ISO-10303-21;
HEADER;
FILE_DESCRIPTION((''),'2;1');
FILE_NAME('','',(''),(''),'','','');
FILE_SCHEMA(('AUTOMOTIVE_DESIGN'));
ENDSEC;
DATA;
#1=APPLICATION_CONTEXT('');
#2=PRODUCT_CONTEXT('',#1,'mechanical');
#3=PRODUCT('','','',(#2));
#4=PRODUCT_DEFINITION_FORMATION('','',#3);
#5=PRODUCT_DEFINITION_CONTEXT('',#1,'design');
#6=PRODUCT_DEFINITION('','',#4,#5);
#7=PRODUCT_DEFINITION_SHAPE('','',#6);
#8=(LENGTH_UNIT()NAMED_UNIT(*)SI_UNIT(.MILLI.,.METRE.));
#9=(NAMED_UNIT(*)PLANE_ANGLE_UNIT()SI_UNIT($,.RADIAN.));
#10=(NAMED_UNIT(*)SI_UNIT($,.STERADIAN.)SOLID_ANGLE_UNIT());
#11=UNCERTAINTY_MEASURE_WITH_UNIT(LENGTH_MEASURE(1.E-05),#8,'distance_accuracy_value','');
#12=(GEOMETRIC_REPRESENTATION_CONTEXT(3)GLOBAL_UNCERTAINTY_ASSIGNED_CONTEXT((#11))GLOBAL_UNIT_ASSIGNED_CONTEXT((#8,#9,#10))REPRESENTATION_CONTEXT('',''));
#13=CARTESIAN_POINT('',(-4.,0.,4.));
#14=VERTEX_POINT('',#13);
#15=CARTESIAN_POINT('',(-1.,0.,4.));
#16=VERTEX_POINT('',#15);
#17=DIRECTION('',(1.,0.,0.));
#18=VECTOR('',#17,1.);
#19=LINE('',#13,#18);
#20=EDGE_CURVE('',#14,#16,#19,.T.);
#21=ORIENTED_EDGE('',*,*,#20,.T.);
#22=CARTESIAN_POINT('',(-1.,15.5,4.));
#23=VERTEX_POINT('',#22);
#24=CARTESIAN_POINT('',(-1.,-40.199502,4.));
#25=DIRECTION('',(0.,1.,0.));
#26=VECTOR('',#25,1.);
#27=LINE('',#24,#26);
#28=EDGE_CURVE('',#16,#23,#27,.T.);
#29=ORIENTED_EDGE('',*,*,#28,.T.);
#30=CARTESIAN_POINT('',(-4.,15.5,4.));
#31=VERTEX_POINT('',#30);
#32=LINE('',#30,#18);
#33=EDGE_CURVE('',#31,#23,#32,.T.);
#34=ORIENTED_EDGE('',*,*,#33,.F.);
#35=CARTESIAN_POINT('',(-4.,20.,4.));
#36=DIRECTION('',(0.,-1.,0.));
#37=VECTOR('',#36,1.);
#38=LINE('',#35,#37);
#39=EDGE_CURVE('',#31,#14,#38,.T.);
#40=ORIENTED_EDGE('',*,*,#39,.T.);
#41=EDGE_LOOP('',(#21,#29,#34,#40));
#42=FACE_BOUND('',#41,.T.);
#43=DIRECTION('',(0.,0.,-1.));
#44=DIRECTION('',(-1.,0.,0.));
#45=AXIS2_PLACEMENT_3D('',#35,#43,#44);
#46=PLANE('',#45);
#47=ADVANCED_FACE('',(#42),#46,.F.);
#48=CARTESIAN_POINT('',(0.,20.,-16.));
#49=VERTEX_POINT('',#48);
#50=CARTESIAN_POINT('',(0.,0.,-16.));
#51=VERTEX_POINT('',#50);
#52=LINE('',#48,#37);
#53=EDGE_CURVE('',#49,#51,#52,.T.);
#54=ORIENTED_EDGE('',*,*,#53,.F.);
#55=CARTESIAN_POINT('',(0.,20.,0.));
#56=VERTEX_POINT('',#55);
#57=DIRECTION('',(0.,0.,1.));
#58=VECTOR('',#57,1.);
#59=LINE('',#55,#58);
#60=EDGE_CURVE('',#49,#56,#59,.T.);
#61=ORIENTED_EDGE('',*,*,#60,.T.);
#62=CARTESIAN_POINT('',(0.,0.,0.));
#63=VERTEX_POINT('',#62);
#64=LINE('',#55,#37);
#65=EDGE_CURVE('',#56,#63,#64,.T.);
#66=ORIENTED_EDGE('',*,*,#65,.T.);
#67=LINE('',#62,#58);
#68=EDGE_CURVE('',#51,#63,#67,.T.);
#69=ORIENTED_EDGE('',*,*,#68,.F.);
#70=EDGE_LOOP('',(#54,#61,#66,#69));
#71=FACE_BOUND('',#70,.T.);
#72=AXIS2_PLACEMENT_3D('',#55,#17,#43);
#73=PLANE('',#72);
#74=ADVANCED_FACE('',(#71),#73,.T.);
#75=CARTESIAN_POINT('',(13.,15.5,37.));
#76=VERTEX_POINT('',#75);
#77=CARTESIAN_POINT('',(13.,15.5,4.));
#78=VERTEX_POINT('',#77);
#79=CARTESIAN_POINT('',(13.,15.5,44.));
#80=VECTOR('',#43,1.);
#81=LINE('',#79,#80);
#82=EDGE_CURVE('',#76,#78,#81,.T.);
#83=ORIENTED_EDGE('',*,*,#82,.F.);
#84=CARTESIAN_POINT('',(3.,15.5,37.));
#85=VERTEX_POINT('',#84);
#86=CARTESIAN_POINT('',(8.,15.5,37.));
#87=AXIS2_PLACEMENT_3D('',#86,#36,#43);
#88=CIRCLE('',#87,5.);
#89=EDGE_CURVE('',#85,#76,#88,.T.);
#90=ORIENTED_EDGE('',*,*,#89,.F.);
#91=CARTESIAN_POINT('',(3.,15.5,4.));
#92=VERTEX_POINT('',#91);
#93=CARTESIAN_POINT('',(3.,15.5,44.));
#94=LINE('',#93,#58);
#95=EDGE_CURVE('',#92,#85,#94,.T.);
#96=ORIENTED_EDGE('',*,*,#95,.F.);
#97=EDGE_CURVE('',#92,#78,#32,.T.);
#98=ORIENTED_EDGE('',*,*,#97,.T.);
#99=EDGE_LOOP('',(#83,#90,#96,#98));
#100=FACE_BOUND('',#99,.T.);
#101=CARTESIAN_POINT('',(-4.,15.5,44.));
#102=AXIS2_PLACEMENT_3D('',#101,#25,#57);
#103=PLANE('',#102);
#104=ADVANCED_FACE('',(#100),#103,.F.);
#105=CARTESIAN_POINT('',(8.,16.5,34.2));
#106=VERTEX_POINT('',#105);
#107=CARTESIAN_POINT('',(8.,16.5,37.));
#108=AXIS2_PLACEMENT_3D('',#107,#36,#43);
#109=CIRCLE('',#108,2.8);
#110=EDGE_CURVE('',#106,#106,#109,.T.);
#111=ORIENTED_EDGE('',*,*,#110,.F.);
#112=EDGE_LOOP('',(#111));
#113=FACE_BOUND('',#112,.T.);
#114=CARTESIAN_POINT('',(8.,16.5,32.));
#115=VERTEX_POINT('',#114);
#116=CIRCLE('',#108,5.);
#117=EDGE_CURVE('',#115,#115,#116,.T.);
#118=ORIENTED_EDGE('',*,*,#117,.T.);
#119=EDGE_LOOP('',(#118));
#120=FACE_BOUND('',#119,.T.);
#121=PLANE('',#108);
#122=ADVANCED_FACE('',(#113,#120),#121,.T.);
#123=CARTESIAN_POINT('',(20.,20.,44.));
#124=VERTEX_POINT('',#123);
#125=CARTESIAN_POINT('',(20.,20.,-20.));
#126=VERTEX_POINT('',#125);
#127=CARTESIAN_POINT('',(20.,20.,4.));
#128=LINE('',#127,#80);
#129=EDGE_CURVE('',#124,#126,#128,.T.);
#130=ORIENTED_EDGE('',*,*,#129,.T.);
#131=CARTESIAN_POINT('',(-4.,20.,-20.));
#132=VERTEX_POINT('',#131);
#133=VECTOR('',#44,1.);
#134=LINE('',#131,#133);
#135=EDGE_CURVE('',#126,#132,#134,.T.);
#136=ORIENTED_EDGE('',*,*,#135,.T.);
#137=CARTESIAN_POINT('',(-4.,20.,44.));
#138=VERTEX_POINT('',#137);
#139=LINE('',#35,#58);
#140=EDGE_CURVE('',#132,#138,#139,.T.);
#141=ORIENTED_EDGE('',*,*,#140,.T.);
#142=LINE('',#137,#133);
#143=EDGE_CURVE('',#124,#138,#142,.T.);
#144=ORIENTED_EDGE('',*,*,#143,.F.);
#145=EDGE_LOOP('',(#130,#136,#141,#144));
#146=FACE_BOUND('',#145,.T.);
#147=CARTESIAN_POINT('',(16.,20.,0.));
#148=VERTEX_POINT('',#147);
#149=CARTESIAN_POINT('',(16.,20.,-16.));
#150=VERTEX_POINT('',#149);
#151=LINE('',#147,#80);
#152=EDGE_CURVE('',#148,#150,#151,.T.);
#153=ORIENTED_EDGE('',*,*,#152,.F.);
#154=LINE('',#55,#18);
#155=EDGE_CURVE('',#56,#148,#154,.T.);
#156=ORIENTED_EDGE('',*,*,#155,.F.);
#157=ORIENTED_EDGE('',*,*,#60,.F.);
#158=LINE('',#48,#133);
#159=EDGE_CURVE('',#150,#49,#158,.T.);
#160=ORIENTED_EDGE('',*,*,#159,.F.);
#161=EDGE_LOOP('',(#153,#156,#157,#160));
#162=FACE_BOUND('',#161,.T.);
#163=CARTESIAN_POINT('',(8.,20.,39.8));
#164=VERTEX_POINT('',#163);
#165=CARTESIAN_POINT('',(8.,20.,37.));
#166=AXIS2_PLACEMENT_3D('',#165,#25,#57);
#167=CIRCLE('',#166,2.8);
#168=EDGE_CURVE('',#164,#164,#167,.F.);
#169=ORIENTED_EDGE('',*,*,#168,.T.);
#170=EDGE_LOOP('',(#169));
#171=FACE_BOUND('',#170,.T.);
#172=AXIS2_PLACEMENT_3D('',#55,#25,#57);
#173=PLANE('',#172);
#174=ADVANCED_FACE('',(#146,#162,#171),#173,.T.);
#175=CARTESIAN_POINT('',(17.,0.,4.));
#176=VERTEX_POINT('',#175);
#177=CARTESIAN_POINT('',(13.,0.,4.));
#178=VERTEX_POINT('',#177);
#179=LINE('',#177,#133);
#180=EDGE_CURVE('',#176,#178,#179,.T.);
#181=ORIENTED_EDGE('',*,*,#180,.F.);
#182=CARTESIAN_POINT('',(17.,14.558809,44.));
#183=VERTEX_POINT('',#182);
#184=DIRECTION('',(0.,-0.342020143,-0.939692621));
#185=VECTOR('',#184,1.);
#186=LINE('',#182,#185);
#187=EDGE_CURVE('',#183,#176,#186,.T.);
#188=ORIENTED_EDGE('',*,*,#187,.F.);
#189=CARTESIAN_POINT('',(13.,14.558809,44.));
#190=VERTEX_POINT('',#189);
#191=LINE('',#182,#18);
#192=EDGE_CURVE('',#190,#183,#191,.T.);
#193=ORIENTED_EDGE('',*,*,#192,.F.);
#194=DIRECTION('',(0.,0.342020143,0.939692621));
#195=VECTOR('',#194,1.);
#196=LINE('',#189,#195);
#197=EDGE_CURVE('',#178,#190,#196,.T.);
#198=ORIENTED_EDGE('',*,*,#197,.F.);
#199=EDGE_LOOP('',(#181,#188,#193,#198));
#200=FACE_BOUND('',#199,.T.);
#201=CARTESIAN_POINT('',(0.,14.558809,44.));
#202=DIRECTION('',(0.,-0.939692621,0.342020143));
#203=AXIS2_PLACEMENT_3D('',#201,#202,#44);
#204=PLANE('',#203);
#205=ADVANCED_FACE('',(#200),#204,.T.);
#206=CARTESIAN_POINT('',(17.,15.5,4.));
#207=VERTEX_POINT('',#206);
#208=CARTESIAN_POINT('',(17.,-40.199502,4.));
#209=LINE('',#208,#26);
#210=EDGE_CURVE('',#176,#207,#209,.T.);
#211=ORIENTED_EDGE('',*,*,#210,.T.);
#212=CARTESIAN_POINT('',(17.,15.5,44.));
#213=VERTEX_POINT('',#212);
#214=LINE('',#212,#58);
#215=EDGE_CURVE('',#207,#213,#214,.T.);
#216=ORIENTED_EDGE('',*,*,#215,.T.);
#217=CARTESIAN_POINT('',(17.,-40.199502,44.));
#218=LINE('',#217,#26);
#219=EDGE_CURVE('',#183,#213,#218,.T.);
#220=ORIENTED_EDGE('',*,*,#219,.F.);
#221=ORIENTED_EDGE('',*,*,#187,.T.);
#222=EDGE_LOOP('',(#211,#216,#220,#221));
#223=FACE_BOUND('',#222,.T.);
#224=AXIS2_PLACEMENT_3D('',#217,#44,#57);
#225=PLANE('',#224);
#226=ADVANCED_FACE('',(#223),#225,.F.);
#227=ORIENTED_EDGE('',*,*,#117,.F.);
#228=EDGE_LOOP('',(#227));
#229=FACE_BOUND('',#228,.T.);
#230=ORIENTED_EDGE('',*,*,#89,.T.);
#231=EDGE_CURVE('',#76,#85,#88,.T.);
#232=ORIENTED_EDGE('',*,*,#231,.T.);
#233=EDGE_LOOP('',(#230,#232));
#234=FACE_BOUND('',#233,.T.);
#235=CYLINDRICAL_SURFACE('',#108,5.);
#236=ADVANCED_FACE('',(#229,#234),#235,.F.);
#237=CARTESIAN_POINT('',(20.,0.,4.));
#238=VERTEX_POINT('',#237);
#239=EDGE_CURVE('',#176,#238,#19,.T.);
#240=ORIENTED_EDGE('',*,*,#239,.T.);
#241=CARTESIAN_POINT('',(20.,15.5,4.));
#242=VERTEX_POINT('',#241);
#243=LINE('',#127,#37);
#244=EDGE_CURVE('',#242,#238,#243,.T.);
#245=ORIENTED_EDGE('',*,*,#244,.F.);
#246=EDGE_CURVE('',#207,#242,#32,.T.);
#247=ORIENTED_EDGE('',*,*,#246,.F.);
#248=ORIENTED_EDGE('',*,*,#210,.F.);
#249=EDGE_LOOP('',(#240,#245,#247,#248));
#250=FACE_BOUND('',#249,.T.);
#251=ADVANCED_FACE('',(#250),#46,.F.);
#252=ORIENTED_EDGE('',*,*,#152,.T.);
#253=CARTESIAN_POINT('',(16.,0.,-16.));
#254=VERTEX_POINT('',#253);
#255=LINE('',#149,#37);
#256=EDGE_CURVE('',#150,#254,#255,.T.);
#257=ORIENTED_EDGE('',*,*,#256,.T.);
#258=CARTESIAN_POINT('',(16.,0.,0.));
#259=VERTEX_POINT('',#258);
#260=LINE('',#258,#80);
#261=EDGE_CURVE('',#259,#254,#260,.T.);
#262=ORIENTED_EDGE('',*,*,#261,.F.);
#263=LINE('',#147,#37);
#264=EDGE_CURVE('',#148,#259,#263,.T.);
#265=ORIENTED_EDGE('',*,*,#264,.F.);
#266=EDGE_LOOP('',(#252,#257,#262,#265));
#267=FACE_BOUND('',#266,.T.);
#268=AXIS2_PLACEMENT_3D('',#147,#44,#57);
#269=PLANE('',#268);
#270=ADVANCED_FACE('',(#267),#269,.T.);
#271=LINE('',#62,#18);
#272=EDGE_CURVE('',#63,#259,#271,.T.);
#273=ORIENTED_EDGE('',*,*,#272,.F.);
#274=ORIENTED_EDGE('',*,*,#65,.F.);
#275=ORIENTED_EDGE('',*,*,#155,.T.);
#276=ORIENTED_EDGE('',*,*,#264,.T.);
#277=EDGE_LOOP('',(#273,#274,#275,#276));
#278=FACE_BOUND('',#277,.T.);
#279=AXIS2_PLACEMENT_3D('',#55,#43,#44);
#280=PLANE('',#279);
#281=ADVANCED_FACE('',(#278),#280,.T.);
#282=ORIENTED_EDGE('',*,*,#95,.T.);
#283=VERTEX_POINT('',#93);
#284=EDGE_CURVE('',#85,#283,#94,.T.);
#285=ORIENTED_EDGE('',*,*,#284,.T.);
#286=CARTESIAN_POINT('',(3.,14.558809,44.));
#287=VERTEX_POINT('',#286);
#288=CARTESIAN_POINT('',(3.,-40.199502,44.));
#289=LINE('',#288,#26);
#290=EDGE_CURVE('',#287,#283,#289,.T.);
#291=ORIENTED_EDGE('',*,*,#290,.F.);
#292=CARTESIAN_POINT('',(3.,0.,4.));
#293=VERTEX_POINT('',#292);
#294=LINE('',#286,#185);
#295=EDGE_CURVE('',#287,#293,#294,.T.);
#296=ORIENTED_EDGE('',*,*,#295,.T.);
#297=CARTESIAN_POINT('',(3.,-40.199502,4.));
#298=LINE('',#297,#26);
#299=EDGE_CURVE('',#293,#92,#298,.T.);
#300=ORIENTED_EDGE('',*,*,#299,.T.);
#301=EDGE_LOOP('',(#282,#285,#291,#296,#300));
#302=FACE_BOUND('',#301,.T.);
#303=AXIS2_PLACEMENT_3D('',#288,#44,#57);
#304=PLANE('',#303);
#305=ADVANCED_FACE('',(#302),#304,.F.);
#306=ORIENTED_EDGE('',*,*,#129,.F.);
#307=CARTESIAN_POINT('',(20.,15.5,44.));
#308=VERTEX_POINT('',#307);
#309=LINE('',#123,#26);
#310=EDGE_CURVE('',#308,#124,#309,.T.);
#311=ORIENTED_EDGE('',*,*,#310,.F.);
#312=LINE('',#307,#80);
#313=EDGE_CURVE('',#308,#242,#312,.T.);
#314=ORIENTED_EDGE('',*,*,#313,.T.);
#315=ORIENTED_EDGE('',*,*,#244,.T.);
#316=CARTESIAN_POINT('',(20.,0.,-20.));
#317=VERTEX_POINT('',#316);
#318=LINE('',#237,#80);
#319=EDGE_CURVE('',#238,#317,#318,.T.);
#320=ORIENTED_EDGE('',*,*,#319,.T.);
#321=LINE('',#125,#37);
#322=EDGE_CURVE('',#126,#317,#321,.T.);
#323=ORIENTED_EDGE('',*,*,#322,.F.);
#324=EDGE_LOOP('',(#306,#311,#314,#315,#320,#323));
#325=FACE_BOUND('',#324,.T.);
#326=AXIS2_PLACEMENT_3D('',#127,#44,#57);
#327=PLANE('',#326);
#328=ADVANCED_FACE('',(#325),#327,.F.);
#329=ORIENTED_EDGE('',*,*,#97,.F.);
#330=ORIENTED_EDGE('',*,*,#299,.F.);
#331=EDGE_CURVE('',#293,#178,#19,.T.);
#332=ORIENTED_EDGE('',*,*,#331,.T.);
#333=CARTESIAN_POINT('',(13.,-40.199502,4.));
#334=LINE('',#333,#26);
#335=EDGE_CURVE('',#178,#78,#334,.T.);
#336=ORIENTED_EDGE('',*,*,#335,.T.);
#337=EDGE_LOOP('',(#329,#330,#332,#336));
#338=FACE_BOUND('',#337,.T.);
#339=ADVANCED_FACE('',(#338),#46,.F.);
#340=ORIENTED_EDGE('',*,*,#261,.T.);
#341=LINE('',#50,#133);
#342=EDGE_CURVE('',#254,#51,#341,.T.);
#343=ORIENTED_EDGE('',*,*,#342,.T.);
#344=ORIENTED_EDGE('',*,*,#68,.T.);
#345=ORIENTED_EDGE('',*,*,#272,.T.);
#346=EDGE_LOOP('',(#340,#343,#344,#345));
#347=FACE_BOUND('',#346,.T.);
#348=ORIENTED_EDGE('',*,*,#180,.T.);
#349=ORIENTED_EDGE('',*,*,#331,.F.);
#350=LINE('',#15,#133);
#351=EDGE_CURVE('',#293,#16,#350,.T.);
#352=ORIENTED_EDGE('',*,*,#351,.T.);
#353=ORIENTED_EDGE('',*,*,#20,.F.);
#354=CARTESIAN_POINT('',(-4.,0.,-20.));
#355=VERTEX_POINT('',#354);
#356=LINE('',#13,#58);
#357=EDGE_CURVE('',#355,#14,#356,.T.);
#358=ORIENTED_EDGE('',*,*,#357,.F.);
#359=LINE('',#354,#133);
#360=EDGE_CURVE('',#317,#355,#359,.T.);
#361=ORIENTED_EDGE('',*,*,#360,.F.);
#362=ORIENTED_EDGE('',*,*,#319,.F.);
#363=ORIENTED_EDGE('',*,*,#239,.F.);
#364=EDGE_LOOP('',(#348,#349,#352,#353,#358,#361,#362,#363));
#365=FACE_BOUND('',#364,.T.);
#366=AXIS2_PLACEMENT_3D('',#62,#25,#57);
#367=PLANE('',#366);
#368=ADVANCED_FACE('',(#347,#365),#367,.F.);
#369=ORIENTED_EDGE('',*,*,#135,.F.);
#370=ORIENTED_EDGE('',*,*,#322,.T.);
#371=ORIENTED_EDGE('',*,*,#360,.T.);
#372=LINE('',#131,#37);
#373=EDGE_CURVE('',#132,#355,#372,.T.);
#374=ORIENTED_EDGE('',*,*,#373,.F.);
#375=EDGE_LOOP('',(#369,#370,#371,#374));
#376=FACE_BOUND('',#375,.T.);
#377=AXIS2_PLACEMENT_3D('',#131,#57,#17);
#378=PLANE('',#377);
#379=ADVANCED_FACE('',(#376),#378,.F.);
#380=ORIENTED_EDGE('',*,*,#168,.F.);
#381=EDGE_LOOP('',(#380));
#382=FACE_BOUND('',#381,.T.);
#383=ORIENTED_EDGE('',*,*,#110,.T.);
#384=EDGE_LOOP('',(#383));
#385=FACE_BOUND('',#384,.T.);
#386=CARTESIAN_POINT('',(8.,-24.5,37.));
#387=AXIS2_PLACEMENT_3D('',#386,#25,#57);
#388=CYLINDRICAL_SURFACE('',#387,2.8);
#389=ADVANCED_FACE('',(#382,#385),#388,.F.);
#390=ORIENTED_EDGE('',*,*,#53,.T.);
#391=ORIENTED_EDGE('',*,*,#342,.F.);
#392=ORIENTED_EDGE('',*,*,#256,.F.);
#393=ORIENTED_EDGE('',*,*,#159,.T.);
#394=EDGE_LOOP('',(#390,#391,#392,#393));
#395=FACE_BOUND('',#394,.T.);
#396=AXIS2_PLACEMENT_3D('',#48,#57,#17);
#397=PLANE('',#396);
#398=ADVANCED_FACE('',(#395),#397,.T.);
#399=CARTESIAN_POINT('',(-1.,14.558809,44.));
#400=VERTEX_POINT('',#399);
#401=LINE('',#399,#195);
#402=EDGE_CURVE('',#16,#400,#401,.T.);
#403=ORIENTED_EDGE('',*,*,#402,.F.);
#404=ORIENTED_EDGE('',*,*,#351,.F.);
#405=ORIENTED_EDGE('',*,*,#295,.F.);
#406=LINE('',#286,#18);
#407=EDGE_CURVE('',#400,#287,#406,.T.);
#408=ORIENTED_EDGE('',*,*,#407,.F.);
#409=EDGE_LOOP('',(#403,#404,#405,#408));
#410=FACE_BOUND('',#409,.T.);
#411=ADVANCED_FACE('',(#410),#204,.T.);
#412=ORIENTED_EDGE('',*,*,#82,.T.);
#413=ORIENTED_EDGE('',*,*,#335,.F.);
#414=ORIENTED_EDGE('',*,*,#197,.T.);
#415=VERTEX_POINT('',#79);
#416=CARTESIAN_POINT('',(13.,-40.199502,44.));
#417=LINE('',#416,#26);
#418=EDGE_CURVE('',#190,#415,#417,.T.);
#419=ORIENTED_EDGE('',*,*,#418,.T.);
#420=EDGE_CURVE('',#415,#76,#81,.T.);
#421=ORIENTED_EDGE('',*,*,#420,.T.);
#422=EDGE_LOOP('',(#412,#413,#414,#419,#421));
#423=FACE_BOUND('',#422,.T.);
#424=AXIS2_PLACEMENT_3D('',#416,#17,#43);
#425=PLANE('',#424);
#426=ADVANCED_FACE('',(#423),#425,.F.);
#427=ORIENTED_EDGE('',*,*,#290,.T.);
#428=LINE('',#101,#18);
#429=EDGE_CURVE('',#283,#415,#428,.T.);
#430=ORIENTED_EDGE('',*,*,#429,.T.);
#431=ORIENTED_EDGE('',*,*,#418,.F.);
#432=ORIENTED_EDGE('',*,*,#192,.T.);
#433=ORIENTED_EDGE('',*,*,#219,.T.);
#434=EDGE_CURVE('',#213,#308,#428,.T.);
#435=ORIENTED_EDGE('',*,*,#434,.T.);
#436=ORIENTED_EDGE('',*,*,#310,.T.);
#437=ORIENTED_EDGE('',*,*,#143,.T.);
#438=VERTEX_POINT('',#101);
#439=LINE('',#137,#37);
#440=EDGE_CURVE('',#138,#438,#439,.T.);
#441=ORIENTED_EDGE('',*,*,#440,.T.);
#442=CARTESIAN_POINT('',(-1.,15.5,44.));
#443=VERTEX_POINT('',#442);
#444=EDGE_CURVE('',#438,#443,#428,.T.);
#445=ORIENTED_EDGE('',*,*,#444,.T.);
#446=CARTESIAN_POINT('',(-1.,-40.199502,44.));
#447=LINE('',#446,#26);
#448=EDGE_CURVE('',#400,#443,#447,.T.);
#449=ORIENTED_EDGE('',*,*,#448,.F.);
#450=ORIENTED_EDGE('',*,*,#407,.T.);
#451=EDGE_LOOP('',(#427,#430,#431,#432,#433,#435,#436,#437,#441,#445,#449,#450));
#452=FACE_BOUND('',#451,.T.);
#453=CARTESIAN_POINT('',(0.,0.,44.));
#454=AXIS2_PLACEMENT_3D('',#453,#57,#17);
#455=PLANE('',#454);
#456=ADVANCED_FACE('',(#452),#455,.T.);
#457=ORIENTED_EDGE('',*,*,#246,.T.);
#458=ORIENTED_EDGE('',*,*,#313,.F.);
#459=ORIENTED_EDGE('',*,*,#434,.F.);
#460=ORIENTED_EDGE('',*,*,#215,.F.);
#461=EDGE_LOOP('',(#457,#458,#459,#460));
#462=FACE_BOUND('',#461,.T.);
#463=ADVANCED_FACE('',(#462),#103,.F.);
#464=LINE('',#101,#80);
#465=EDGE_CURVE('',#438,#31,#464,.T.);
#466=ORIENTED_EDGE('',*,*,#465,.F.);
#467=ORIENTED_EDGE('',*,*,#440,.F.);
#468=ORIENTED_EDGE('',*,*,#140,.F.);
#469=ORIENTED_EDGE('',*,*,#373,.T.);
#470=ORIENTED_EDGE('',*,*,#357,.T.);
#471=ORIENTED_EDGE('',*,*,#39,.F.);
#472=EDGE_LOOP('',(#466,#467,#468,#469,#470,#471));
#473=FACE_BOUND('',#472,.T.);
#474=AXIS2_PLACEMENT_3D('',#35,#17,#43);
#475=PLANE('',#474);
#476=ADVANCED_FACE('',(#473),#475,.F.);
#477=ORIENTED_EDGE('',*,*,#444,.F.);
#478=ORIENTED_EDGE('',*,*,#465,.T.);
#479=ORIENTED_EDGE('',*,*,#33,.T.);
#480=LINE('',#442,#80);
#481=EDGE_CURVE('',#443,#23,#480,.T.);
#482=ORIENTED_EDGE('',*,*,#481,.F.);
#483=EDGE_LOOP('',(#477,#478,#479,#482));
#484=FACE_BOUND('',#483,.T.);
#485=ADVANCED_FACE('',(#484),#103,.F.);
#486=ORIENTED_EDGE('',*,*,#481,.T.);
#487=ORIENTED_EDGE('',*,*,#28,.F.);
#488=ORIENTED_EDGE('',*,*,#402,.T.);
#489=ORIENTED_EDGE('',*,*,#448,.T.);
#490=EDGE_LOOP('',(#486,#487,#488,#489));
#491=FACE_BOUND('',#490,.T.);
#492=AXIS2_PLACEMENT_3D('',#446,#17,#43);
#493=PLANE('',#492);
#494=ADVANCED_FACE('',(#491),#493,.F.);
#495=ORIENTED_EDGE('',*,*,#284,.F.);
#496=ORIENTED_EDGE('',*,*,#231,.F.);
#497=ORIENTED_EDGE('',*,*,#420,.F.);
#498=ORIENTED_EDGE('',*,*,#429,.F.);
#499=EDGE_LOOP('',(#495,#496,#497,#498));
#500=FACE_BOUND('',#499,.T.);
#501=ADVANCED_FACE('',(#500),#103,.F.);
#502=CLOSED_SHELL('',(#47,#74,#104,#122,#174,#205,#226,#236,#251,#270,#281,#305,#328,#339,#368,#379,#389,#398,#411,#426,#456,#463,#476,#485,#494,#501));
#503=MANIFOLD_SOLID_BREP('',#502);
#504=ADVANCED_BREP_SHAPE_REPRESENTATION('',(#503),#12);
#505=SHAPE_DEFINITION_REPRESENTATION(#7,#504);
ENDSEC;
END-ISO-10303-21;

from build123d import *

# Parameters (mm, degrees)
SKETCH_1_W               = 24
SKETCH_1_H               = 24
SKETCH_1_W_2             = 16
SKETCH_1_H_2             = 16
EXTRUDE_1_DEPTH          = 20
SKETCH_2_W               = 24
SKETCH_2_H               = 4.5
EXTRUDE_2_DEPTH          = 40
CUT_EXTRUDE_1_DEPTH      = 40
CUT_EXTRUDE_1_DEPTH_BACK = 40
SKETCH_3_R               = 2.8
SKETCH_6_W               = 4
SKETCH_6_H               = 40
EXTRUDE_3_DEPTH          = 15.5
CHAMFER_1_SIZE           = 40
CHAMFER_1_SIZE2          = 14.558809371
SKETCH_7_R               = 5
CUT_EXTRUDE_2_DEPTH      = 1


with BuildPart() as part:
    # 草图1 → 凸台-拉伸1 (new body)
    with BuildSketch(Plane(origin=(0, 0, 0), x_dir=(1, 0, 0), z_dir=(0, 1, 0))):
        with Locations((8, 8)):
            Rectangle(SKETCH_1_W, SKETCH_1_H)
        with Locations((8, 8)):
            Rectangle(SKETCH_1_W_2, SKETCH_1_H_2, mode=Mode.SUBTRACT)
    extrude(amount=EXTRUDE_1_DEPTH)

    # 草图2 → 凸台-拉伸2 (add)
    with BuildSketch(Plane.XY.offset(4)):
        with Locations((8, 17.75)):
            Rectangle(SKETCH_2_W, SKETCH_2_H)
    extrude(amount=EXTRUDE_2_DEPTH)

    # 草图3 → 切除-拉伸1 (cut, two sides: drawn at the far end of the back side and taken through both)
    with BuildSketch(Plane(origin=(0, 15.5, 0), x_dir=(-1, 0, 0), z_dir=(0, -1, 0)).offset(-CUT_EXTRUDE_1_DEPTH_BACK)):
        with Locations(Location((-8, -37, 0), (0, 0, 270))):
            Circle(SKETCH_3_R)
    extrude(amount=CUT_EXTRUDE_1_DEPTH + CUT_EXTRUDE_1_DEPTH_BACK, mode=Mode.SUBTRACT)

    # 草图6 → 凸台-拉伸3 (add)
    with BuildSketch(Plane(origin=(0, 15.5, 0), x_dir=(-1, 0, 0), z_dir=(0, -1, 0))):
        with Locations((-1, -24)):
            Rectangle(SKETCH_6_W, SKETCH_6_H)
        with Locations((-15, -24)):
            Rectangle(SKETCH_6_W, SKETCH_6_H)
    extrude(amount=EXTRUDE_3_DEPTH)

    # 倒角1
    chamfer_1_edges = [part.edges().sort_by_distance(p)[0] for p in [
        (1, 0, 44),
        (15, 0, 44),
    ]]
    chamfer_1_side = [part.faces().sort_by_distance(p)[0] for p in [
        (-3.3164797, 0, -8),
    ]]
    chamfer(chamfer_1_edges, length=CHAMFER_1_SIZE, length2=CHAMFER_1_SIZE2, reference=chamfer_1_side[0])

    # 草图7 → 切除-拉伸2 (cut)
    with BuildSketch(Plane(origin=(0, 15.5, 0), x_dir=(-1, 0, 0), z_dir=(0, -1, 0))):
        with Locations(Location((-8, -37, 0), (0, 0, 90))):
            Circle(SKETCH_7_R)
    extrude(amount=-CUT_EXTRUDE_2_DEPTH, mode=Mode.SUBTRACT)


solid = part.part
